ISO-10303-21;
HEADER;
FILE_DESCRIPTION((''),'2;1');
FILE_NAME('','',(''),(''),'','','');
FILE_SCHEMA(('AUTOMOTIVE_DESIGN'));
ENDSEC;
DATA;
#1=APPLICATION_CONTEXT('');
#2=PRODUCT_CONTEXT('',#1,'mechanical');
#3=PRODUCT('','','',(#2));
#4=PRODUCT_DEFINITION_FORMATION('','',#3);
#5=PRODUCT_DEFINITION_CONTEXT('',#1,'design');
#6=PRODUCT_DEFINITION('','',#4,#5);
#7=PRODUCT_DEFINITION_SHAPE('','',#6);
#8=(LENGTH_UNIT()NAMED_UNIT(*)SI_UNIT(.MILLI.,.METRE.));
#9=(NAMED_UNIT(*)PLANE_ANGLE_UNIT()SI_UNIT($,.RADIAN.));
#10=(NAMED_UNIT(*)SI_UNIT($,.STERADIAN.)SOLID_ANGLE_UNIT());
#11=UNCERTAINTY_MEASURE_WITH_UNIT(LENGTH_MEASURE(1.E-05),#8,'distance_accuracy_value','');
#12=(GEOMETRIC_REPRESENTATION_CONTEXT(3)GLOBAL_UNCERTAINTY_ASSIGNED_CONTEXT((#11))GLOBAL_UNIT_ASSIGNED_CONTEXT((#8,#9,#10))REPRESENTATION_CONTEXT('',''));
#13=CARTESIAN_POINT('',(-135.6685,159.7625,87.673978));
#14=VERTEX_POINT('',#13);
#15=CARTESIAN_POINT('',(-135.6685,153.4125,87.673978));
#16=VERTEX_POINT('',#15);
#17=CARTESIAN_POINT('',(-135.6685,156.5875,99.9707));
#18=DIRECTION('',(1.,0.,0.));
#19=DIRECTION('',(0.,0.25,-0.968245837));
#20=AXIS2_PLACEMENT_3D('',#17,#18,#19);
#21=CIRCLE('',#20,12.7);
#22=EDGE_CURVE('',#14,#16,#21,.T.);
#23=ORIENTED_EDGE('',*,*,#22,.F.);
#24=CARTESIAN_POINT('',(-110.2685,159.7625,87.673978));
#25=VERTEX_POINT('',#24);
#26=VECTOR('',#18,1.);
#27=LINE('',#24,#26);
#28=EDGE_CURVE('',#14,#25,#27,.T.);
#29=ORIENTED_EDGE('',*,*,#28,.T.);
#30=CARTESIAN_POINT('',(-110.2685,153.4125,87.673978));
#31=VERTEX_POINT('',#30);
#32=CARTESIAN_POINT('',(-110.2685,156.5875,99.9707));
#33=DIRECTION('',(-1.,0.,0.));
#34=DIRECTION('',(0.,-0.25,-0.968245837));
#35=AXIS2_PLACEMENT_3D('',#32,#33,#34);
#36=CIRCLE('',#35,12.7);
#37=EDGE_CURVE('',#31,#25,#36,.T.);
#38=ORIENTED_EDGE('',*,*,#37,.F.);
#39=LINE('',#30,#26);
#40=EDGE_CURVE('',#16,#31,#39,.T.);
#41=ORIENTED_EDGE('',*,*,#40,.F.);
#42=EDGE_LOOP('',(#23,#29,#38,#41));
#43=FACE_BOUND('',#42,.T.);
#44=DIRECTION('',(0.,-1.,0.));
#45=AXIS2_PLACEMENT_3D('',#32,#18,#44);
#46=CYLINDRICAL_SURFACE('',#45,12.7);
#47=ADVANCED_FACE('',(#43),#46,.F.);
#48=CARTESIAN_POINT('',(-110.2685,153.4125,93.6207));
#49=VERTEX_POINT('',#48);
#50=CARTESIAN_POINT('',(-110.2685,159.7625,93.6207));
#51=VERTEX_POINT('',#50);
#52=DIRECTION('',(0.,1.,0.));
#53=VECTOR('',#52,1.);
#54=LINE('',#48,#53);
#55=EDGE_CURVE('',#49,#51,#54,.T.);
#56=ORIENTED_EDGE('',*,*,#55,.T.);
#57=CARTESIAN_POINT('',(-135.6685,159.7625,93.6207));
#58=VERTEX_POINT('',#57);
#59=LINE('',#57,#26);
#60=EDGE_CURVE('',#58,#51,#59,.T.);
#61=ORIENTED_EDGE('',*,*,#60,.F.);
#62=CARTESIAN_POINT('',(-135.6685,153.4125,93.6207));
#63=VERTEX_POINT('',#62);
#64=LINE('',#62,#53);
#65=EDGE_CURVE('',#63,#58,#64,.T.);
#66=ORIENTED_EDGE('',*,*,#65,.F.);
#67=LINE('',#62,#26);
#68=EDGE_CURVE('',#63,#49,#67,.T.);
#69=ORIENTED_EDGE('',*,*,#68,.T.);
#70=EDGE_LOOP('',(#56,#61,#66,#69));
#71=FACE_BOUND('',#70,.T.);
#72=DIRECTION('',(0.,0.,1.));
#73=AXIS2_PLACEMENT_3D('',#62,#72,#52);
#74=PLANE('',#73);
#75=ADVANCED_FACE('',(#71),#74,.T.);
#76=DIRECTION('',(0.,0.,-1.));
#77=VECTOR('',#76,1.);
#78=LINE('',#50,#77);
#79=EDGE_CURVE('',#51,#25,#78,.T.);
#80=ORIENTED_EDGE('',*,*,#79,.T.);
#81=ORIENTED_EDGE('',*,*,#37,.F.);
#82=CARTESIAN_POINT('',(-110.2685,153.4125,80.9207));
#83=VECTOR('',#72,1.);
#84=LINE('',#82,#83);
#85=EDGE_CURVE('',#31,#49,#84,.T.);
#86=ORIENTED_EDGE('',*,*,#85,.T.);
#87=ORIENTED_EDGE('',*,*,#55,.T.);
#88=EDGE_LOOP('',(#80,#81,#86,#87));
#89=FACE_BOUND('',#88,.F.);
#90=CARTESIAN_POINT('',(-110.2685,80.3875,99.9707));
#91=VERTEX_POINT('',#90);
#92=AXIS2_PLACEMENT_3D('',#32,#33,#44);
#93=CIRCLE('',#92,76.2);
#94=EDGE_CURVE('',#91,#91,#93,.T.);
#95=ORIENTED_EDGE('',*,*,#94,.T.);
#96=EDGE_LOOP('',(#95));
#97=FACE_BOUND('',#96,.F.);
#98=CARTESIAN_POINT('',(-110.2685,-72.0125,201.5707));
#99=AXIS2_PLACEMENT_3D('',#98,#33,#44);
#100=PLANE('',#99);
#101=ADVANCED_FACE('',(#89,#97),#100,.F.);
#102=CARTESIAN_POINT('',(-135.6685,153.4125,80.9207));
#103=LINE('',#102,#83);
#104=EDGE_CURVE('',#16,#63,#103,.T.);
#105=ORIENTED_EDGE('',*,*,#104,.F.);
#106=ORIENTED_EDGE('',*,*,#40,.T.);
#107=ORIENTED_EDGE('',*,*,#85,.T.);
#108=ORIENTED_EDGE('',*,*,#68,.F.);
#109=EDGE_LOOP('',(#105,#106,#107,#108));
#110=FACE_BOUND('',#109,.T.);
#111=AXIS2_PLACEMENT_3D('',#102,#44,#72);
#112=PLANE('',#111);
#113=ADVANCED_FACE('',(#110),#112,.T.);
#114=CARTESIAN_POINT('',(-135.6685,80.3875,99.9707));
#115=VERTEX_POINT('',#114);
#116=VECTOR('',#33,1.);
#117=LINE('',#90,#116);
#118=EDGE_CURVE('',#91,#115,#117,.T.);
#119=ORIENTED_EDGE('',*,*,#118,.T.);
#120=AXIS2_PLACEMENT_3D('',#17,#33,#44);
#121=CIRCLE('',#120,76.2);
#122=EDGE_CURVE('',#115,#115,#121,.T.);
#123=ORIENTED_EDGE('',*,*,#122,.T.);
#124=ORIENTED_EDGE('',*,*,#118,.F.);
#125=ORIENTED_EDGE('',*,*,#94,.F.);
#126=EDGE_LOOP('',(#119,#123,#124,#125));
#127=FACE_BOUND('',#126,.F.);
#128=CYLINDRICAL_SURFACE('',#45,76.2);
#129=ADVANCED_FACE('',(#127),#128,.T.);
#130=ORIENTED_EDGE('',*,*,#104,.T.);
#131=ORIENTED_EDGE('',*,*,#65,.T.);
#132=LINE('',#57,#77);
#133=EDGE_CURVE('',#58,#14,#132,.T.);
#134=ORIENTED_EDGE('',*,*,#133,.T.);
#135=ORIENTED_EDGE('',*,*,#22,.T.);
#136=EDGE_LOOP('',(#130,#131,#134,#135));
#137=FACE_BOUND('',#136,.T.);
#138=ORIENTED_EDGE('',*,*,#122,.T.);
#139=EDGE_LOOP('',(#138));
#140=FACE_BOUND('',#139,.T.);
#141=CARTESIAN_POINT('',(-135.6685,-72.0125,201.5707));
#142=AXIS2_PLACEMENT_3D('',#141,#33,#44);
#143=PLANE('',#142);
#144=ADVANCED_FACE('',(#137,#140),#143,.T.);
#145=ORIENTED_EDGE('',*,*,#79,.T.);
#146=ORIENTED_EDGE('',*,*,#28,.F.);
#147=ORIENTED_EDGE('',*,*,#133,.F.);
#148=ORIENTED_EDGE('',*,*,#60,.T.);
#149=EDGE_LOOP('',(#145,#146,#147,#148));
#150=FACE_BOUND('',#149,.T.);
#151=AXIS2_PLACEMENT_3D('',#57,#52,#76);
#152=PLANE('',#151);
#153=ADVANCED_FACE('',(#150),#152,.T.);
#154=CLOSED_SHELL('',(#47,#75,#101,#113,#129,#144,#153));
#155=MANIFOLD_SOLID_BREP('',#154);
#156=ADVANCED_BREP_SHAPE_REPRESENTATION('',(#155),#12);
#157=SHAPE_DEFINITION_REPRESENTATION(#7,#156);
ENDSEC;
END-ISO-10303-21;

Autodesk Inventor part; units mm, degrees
ref_plane "YZ Plane" through (0, 0, 0) normal (1, 0, 0) x (0, 1, 0)
ref_plane "XZ Plane" through (0, 0, 0) normal (0, 1, 0) x (-1, 0, 0)
ref_plane "Work Plane1" through (-110.2685, -72.0125, 201.5707) normal (-1, 0, 0) x (0, -1, 0)
sketch "Sketch1" plane through (-110.2685, -72.0125, 201.5707) normal (-1, 0, 0) x (0, -1, 0)
  circle A0 centre (-228.6, -101.6) radius 12.7 projected
  circle A1 centre (-228.6, -101.6) radius 76.2
  circle A2 centre (-228.6, -101.6) radius 12.7
  point P0 (-72.0125, -201.5707)
  dimension "d0" = 152.4
extrude "Extrusion1" add sketch "Sketch1" along normal blind 25.4
sketch "Sketch4" plane through (-135.6685, 156.5875, 99.9707) normal (-1, 0, 0) x (0, 0, 1)
  circle A0 centre (0, 0) radius 12.7 construction
  line L0 (-12.7, 0) -> (12.7, 0) construction
  line L1 (-6.35, -3.175) -> (-6.35, 3.175)
  line L2 (-6.35, 3.175) -> (-19.05, 3.175)
  line L3 (-19.05, 3.175) -> (-19.05, -3.175)
  line L4 (-19.05, -3.175) -> (-6.35, -3.175)
  line L5 (-6.35, -3.175) -> (-19.05, 3.175) construction
  line L6 (-6.35, 3.175) -> (-19.05, -3.175) construction
  dimension "d7" = 6.35
  dimension "d8" = 12.7
extrude "Extrusion3" add sketch "Sketch4" against normal blind 25.4
properties part number "clutch02-simplyGearDisk" material "PET Plastic"
